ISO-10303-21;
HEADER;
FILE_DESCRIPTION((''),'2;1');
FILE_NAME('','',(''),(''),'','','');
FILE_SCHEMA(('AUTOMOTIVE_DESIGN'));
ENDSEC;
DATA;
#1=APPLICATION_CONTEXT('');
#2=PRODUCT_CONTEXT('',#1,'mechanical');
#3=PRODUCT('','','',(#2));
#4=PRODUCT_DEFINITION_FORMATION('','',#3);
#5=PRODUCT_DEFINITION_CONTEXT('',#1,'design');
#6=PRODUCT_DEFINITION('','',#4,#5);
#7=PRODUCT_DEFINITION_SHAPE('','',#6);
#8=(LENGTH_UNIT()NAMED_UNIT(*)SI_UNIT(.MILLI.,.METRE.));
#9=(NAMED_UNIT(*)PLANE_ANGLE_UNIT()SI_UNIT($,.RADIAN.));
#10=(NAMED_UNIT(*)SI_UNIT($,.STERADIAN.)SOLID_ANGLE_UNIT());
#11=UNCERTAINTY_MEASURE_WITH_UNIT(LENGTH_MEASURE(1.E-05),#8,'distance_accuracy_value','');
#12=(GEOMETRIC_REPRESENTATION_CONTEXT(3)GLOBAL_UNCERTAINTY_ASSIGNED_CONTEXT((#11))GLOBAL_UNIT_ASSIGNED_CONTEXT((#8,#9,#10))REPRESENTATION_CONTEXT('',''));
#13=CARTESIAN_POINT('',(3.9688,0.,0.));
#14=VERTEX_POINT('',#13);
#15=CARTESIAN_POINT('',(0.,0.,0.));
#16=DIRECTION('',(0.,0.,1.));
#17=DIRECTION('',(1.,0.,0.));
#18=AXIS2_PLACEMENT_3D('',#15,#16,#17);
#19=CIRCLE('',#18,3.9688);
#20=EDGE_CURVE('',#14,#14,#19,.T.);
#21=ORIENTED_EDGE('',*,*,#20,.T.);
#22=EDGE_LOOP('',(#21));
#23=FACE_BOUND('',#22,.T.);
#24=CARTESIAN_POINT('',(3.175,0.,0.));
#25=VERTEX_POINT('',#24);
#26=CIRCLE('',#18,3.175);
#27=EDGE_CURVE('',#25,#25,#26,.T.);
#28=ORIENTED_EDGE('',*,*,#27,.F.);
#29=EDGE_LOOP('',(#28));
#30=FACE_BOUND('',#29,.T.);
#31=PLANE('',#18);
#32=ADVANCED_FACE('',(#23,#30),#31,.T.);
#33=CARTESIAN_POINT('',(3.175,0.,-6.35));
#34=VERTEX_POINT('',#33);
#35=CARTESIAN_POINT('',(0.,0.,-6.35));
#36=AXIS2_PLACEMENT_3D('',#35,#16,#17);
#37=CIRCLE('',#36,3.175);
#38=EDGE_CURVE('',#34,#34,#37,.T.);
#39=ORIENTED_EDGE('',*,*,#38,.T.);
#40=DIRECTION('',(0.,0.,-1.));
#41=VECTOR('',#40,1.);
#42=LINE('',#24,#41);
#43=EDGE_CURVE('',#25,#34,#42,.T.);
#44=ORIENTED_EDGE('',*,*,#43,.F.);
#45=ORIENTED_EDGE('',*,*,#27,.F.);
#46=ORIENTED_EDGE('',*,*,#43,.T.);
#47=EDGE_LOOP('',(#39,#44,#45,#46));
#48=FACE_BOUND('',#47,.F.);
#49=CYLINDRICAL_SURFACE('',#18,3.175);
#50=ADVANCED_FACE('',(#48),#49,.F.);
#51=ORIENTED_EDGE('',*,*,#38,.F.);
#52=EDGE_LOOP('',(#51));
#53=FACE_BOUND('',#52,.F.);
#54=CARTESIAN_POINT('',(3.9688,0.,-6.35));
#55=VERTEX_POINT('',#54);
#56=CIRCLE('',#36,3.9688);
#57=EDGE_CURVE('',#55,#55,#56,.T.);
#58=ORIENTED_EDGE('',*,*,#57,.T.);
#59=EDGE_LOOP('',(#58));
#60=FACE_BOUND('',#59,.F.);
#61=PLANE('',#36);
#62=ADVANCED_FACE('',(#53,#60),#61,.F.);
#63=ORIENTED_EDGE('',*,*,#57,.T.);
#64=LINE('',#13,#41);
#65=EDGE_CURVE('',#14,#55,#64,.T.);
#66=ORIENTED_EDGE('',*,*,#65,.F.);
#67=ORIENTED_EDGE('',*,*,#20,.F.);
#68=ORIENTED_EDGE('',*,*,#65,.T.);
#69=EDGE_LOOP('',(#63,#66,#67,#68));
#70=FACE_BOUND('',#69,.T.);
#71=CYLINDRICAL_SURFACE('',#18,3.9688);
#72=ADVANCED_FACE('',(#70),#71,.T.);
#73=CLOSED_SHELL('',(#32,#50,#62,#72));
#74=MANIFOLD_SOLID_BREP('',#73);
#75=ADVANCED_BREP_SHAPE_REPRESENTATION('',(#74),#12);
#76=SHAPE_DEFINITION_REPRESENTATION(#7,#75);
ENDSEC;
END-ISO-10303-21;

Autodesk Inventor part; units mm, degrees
ref_plane "YZ Plane" through (0, 0, 0) normal (1, 0, 0) x (0, 1, 0)
ref_plane "XZ Plane" through (0, 0, 0) normal (0, 1, 0) x (-1, 0, 0)
ref_plane "XY Plane" through (0, 0, 0) normal (0, 0, 1) x (1, 0, 0)
sketch "Sketch1" plane through (0, 0, 0) normal (0, 0, 1) x (1, 0, 0)
  circle A0 centre (0, 0) radius 3.175
  circle A1 centre (0, 0) radius 3.9688
  dimension "d0" = 6.35
  dimension "d1" = 7.9375
extrude "Extrusion1" add sketch "Sketch1" against normal blind 6.35
properties part number "Sleeve Bearing .25 .3125"
